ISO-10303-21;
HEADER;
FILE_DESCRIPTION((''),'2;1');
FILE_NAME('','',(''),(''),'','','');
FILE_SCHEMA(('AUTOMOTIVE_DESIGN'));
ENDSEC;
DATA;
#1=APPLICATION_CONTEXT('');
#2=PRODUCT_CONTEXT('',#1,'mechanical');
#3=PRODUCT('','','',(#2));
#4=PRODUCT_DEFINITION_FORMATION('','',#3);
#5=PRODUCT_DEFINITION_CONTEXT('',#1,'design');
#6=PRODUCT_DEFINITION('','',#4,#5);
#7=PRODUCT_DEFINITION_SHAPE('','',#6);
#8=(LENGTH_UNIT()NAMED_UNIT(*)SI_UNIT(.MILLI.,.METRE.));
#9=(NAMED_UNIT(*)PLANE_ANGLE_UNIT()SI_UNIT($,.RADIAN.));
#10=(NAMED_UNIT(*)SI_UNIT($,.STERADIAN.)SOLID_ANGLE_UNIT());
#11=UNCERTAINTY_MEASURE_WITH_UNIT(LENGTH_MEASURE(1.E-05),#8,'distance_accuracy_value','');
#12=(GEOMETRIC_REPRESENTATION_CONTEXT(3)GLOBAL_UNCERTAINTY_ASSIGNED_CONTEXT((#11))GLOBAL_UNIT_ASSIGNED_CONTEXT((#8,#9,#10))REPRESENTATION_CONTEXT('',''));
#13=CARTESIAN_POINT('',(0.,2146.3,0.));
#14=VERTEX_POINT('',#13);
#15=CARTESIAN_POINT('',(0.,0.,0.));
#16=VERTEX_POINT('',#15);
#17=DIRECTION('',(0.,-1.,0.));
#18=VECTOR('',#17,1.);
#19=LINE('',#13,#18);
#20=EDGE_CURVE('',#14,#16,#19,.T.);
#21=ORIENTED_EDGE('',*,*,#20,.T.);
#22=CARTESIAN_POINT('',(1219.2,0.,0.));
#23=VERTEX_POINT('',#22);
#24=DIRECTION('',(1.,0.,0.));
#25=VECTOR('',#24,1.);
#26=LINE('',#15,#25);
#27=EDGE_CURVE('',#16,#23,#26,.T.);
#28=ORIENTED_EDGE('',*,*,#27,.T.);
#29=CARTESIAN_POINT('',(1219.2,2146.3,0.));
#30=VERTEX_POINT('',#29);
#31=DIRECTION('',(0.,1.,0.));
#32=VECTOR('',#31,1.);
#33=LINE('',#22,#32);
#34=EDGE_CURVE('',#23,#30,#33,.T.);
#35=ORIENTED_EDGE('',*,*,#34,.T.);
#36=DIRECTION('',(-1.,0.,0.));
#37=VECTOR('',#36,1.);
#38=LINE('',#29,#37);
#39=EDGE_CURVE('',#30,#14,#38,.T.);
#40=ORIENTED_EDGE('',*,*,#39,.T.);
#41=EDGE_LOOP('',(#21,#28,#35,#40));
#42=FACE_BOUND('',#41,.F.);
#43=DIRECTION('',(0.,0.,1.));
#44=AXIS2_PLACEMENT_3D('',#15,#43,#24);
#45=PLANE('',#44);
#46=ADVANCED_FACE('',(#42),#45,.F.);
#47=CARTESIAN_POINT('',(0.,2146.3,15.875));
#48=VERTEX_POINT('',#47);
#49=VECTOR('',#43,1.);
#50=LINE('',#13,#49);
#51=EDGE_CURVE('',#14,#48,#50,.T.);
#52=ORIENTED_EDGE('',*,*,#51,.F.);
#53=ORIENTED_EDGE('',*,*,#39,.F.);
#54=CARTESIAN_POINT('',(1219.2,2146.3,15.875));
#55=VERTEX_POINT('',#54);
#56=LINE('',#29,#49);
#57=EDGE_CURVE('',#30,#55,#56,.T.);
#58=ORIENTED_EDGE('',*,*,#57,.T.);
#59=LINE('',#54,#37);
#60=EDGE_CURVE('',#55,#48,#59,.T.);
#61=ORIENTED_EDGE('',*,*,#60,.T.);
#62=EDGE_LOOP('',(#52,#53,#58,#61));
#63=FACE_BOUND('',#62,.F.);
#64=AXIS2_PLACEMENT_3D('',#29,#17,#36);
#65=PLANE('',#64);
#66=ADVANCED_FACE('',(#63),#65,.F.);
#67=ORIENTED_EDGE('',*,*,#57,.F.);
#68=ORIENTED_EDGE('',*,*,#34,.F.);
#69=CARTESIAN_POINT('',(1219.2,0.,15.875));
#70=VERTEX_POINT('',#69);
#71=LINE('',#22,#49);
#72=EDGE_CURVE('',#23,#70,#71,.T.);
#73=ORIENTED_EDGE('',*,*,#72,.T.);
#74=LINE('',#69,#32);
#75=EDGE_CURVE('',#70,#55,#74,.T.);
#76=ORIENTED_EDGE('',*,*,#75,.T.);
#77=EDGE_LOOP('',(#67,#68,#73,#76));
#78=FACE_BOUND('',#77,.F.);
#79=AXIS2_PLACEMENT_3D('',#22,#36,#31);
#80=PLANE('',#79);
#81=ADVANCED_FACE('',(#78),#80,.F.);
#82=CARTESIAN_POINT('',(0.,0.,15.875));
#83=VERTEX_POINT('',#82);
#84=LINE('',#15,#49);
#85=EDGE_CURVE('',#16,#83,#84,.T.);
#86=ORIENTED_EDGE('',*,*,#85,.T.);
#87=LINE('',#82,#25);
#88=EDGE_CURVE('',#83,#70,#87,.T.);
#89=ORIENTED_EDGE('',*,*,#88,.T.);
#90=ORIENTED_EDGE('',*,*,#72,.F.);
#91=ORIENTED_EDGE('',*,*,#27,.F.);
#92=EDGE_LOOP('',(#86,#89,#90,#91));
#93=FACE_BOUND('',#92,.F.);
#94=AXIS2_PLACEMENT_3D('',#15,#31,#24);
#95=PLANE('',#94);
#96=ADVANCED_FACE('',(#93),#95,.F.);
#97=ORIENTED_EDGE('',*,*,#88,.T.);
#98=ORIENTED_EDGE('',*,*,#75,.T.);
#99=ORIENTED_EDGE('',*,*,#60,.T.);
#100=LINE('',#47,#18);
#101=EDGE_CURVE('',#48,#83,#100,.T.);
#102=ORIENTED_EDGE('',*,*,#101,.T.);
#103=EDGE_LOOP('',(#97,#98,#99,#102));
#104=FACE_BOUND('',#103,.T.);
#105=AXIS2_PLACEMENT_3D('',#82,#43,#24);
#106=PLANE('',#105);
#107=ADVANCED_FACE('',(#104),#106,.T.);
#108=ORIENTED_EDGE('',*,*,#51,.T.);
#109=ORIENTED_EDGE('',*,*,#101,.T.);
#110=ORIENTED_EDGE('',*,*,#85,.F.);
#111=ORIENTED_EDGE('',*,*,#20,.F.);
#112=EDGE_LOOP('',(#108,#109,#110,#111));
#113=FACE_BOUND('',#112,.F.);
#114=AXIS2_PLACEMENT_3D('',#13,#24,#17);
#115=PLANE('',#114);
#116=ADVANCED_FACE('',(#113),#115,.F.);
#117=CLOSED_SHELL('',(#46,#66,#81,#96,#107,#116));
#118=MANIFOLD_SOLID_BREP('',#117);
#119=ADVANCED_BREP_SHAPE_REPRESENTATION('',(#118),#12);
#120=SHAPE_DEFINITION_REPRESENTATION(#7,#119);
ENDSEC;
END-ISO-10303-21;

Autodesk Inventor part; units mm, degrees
ref_plane "YZ Plane" through (0, 0, 0) normal (1, 0, 0) x (0, 1, 0)
ref_plane "XZ Plane" through (0, 0, 0) normal (0, 1, 0) x (-1, 0, 0)
ref_plane "XY Plane" through (0, 0, 0) normal (0, 0, 1) x (1, 0, 0)
sketch "Sketch1" plane through (0, 0, 0) normal (0, 0, 1) x (1, 0, 0)
  line L0 (0, 0) -> (1219.2, 0)
  line L1 (1219.2, 0) -> (1219.2, 2146.3)
  line L2 (1219.2, 2146.3) -> (0, 2146.3)
  line L3 (0, 2146.3) -> (0, 0)
  dimension "d2" = 2146.3
  dimension "d3" = 1219.2
extrude "Extrusion1" add sketch "Sketch1" along normal blind 15.875
properties part number "DensGlass_With_Dimensions_48_x_84.5_Inches" material "Wood (Birch)"
